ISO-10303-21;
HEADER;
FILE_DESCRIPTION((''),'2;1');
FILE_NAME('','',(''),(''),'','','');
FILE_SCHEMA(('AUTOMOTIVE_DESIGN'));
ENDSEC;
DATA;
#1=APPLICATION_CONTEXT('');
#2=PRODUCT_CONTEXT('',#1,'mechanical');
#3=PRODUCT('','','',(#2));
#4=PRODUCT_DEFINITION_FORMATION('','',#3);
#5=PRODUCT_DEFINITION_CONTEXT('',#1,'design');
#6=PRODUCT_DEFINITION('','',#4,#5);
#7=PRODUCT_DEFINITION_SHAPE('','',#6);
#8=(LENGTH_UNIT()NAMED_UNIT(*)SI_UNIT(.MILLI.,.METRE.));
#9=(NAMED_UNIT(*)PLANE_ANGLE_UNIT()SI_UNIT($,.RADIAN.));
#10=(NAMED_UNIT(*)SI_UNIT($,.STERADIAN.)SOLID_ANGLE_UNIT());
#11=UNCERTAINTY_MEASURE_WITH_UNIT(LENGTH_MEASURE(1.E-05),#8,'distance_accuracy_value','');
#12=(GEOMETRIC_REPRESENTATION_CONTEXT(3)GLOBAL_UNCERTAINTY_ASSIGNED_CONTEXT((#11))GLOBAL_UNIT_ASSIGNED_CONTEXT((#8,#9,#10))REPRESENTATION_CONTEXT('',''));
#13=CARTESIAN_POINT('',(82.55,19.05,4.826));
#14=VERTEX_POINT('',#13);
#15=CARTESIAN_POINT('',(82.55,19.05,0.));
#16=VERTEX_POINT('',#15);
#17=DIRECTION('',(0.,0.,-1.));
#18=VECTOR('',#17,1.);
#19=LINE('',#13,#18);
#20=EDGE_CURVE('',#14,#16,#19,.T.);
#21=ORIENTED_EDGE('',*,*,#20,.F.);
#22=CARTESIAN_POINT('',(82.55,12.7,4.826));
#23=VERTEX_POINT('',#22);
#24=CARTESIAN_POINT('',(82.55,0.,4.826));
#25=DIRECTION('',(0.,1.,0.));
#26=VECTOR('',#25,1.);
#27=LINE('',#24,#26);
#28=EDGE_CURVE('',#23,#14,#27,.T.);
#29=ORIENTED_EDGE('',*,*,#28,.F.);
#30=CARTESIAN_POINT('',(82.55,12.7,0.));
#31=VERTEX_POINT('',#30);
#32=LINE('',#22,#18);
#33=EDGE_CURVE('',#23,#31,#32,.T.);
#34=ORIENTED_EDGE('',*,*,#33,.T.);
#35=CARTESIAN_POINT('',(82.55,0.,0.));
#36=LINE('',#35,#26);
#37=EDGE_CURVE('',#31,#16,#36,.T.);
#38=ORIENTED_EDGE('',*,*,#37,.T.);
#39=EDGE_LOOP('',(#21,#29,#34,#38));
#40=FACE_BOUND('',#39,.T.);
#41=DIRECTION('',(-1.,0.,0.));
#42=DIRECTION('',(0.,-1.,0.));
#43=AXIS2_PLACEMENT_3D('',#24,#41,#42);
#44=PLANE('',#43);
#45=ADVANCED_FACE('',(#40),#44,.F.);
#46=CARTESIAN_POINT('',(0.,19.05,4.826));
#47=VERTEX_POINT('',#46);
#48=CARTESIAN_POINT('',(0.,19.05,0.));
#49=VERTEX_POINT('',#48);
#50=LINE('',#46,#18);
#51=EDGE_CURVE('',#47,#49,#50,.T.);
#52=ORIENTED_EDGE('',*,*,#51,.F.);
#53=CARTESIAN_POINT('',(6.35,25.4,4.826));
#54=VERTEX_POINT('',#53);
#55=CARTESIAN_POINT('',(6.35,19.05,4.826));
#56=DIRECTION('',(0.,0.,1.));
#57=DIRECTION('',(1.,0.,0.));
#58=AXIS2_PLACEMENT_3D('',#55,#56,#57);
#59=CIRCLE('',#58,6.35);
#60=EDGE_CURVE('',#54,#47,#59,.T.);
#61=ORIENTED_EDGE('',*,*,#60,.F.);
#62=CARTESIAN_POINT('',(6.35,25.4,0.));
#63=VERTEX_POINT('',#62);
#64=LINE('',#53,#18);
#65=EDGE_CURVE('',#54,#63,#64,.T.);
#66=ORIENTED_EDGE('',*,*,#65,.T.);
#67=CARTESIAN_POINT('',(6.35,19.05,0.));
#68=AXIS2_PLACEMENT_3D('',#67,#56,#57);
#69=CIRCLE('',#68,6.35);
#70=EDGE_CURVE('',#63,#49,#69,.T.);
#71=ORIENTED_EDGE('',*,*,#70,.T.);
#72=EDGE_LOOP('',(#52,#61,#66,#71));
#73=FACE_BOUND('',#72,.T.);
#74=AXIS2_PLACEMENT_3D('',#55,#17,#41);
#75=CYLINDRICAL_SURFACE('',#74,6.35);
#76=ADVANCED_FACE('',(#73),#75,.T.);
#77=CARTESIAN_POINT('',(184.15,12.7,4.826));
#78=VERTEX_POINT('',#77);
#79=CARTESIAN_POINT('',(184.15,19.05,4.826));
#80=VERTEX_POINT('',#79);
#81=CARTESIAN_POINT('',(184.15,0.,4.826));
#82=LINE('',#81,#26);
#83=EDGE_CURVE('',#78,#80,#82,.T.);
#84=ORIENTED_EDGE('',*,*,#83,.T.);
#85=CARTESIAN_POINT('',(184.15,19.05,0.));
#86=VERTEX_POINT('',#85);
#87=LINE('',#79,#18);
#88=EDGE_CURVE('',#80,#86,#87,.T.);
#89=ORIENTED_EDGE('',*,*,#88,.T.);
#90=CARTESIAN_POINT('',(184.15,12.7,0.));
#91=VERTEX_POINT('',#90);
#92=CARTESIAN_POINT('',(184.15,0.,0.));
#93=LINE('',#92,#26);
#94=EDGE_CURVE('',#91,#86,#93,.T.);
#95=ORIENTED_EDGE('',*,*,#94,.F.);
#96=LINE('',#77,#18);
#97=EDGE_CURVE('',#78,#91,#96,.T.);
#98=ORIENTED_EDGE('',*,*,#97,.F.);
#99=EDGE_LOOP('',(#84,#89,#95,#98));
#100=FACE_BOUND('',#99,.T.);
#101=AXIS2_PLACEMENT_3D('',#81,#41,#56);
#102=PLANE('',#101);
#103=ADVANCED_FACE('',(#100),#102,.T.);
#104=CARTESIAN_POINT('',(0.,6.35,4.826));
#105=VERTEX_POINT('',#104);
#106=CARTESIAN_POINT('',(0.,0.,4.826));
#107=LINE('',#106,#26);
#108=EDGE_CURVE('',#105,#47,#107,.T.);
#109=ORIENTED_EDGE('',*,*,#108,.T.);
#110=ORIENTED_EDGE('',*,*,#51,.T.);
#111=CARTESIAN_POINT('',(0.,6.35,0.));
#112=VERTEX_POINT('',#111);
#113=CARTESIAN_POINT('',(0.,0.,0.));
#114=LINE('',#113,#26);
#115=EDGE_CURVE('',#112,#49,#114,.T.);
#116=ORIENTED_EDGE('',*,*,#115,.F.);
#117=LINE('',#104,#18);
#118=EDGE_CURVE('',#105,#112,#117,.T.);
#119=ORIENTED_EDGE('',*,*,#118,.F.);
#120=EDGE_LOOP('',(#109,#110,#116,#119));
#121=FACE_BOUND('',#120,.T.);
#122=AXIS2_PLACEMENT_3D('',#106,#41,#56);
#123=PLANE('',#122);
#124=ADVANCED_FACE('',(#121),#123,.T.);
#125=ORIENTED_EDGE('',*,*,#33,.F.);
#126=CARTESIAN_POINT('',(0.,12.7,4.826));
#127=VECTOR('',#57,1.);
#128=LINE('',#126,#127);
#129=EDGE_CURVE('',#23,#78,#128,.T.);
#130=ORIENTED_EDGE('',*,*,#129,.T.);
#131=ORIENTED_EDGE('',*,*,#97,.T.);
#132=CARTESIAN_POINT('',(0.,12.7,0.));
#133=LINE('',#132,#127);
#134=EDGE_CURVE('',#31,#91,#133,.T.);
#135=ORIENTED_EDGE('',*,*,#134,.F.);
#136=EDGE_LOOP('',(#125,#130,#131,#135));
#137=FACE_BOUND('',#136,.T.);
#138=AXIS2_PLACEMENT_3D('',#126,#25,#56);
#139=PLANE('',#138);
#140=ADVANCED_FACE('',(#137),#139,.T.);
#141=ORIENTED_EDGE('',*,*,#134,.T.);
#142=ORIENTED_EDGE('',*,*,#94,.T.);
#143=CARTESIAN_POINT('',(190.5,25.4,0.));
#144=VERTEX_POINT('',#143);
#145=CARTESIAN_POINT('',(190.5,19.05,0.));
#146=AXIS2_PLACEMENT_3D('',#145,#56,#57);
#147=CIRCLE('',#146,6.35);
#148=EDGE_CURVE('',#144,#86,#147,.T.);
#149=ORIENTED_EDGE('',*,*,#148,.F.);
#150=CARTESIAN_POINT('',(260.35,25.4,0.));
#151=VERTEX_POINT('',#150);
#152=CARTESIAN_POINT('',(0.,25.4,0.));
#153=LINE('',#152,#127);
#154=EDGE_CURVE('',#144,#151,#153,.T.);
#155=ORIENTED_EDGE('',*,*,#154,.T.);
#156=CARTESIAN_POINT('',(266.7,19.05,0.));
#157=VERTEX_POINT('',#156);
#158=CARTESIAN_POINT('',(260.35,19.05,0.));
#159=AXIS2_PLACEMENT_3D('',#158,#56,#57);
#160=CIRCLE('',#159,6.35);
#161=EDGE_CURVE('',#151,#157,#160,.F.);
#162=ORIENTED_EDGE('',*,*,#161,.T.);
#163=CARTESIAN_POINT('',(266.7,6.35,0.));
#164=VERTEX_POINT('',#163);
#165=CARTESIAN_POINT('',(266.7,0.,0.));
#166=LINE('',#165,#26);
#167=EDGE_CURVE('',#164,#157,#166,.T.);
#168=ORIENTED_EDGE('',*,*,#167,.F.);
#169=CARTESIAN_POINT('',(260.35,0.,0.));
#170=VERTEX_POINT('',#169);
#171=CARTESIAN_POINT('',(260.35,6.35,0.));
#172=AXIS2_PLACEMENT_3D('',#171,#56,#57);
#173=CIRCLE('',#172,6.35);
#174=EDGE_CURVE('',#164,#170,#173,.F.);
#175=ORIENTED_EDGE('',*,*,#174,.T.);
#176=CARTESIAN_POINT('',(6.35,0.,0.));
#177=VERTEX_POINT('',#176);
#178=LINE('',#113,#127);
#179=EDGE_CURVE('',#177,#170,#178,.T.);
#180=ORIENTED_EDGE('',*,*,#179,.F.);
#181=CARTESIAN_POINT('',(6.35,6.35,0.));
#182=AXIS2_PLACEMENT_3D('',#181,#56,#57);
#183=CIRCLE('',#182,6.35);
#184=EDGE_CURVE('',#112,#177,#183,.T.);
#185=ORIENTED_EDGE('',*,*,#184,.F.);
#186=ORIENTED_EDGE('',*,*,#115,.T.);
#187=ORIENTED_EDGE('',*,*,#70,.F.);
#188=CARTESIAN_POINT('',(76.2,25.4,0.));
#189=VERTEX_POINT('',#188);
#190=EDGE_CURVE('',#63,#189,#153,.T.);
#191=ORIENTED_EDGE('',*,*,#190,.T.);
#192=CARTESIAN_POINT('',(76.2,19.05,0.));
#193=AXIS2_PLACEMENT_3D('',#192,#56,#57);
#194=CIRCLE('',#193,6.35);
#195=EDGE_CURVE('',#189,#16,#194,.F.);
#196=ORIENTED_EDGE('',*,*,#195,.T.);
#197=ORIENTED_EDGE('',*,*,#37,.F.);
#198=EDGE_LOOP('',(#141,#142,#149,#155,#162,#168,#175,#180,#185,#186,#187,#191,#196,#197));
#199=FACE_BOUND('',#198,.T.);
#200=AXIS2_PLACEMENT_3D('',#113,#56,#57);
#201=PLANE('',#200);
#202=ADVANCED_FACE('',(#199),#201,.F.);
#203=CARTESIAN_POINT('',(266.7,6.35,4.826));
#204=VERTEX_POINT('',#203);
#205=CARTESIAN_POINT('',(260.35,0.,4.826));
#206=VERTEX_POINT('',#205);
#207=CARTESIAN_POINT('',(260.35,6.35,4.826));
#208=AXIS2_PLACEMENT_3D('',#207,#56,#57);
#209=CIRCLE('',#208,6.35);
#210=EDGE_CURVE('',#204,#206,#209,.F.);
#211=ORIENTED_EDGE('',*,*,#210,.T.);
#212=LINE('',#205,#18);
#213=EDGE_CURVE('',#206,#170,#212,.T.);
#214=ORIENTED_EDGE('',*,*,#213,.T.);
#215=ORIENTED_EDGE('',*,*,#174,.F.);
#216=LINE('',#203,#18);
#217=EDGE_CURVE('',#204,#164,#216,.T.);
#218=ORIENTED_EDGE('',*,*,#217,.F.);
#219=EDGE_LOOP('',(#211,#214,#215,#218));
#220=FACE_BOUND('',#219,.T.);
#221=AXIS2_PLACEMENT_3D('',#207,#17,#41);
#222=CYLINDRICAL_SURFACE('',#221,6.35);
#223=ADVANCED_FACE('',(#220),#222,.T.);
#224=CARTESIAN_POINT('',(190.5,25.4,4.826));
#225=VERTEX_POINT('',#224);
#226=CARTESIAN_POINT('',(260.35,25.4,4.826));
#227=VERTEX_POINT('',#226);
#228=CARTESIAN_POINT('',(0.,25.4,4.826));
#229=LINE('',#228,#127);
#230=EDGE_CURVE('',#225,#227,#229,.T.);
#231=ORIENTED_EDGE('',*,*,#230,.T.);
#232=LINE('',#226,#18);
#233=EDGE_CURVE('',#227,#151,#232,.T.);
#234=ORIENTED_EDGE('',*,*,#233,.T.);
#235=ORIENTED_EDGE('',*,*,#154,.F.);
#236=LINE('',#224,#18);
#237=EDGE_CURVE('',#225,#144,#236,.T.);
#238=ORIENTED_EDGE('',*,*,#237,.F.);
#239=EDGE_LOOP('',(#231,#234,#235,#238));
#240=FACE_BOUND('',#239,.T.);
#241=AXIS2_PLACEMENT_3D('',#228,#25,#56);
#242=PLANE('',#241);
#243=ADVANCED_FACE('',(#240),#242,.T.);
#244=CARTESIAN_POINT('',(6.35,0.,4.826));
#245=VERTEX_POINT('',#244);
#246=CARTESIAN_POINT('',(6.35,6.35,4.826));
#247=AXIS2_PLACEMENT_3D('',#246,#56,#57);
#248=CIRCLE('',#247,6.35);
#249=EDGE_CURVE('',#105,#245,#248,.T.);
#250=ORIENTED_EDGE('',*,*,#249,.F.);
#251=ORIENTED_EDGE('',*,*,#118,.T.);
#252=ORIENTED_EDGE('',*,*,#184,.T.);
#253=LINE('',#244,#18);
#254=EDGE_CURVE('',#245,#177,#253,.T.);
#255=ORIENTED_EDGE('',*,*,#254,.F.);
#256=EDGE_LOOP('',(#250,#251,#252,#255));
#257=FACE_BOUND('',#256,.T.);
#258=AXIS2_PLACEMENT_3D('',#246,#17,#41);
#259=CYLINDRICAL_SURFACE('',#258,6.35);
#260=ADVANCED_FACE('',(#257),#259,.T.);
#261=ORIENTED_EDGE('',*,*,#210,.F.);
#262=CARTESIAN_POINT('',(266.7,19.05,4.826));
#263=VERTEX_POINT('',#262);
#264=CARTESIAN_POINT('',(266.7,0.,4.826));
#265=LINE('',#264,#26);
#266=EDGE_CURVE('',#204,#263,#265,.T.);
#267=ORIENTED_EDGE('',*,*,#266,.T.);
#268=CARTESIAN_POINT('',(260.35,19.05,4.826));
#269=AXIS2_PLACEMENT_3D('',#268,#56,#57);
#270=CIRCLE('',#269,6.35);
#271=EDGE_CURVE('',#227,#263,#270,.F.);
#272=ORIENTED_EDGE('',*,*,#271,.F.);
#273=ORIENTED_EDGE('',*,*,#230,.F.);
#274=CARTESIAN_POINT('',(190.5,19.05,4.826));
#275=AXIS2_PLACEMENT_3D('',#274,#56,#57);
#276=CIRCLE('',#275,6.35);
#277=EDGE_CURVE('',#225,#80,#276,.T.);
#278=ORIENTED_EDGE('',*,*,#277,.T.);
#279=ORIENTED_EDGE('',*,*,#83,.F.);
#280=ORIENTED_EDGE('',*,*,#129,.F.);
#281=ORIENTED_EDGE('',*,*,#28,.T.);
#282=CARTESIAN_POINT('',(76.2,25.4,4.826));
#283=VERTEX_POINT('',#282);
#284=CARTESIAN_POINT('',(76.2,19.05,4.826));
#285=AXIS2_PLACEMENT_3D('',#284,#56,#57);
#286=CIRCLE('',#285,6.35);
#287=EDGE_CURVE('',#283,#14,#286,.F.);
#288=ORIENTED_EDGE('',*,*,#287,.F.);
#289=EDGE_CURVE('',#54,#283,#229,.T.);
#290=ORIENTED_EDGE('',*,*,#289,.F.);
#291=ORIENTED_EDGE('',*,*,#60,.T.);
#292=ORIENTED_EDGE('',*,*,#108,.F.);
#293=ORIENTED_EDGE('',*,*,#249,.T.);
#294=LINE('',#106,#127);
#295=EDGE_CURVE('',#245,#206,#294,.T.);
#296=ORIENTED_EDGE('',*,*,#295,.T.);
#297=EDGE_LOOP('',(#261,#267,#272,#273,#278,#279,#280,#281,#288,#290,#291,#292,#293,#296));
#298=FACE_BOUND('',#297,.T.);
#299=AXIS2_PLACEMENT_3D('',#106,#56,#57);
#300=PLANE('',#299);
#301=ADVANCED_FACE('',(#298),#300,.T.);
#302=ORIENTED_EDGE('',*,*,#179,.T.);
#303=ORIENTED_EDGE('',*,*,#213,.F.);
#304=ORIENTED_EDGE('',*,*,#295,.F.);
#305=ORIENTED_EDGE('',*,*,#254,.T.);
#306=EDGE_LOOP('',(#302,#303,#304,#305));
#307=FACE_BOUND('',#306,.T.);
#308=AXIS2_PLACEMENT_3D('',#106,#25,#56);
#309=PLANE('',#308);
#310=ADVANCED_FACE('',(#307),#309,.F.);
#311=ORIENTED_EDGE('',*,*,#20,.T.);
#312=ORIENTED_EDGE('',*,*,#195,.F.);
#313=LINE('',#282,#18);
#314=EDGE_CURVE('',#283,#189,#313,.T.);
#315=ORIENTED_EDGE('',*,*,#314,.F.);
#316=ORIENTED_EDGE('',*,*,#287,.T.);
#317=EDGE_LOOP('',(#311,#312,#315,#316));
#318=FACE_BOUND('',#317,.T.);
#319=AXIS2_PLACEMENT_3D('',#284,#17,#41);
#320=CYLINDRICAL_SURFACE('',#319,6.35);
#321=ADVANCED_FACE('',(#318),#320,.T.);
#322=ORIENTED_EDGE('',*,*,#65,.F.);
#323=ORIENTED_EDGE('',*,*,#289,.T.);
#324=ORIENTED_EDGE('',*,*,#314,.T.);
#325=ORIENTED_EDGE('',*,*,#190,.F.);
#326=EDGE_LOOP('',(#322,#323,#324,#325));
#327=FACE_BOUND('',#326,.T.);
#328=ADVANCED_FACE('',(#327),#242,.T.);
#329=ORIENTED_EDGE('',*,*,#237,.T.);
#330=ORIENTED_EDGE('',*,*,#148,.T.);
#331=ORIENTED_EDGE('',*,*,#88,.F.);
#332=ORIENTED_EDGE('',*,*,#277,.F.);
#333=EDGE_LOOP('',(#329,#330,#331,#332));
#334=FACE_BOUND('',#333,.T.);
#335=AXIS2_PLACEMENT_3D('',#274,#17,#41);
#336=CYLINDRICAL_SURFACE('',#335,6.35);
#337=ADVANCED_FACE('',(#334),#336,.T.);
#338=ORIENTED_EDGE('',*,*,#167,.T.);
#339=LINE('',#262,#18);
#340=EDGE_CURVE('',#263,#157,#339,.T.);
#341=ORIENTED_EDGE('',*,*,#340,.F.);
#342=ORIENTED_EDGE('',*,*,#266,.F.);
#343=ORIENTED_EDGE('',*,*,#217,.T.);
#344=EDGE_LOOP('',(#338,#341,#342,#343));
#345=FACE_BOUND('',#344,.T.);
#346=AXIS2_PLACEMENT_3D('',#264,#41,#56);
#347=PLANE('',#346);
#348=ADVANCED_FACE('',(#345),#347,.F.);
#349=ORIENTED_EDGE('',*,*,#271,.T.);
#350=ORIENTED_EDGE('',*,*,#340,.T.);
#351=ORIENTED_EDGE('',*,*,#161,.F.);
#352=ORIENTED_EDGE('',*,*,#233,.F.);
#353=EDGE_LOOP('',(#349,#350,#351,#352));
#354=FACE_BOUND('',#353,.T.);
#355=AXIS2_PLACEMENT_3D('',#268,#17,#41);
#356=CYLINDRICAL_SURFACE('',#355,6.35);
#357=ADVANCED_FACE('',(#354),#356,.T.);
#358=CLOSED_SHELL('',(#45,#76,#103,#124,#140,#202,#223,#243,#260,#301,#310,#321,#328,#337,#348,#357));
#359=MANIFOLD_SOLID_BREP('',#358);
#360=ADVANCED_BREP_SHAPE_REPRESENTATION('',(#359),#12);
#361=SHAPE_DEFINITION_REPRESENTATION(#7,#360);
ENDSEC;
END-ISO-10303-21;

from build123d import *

# Parameters (mm, degrees)
BOSS_EXTRUDE1_DEPTH = 4.826


with BuildPart() as part:
    # Sketch1 → Boss-Extrude1 (new body)
    with BuildSketch(Plane.XY):
        with BuildLine():
            ThreePointArc((76.2, 25.4), (80.690128061, 23.540128061), (82.55, 19.05))
            Line((82.55, 19.05), (82.55, 12.7))
            Line((82.55, 12.7), (184.15, 12.7))
            Line((184.15, 12.7), (184.15, 19.05))
            ThreePointArc((184.15, 19.05), (186.009871939, 23.540128061), (190.5, 25.4))
            Line((190.5, 25.4), (260.35, 25.4))
            ThreePointArc((260.35, 25.4), (264.840128061, 23.540128061), (266.7, 19.05))
            Line((266.7, 19.05), (266.7, 6.35))
            ThreePointArc((266.7, 6.35), (264.840128061, 1.859871939), (260.35, 0))
            Line((260.35, 0), (6.35, 0))
            ThreePointArc((6.35, 0), (1.859871939, 1.859871939), (0, 6.35))
            Line((0, 6.35), (0, 19.05))
            ThreePointArc((0, 19.05), (1.859871939, 23.540128061), (6.35, 25.4))
            Line((6.35, 25.4), (76.2, 25.4))
        make_face()
    extrude(amount=BOSS_EXTRUDE1_DEPTH)


solid = part.part
